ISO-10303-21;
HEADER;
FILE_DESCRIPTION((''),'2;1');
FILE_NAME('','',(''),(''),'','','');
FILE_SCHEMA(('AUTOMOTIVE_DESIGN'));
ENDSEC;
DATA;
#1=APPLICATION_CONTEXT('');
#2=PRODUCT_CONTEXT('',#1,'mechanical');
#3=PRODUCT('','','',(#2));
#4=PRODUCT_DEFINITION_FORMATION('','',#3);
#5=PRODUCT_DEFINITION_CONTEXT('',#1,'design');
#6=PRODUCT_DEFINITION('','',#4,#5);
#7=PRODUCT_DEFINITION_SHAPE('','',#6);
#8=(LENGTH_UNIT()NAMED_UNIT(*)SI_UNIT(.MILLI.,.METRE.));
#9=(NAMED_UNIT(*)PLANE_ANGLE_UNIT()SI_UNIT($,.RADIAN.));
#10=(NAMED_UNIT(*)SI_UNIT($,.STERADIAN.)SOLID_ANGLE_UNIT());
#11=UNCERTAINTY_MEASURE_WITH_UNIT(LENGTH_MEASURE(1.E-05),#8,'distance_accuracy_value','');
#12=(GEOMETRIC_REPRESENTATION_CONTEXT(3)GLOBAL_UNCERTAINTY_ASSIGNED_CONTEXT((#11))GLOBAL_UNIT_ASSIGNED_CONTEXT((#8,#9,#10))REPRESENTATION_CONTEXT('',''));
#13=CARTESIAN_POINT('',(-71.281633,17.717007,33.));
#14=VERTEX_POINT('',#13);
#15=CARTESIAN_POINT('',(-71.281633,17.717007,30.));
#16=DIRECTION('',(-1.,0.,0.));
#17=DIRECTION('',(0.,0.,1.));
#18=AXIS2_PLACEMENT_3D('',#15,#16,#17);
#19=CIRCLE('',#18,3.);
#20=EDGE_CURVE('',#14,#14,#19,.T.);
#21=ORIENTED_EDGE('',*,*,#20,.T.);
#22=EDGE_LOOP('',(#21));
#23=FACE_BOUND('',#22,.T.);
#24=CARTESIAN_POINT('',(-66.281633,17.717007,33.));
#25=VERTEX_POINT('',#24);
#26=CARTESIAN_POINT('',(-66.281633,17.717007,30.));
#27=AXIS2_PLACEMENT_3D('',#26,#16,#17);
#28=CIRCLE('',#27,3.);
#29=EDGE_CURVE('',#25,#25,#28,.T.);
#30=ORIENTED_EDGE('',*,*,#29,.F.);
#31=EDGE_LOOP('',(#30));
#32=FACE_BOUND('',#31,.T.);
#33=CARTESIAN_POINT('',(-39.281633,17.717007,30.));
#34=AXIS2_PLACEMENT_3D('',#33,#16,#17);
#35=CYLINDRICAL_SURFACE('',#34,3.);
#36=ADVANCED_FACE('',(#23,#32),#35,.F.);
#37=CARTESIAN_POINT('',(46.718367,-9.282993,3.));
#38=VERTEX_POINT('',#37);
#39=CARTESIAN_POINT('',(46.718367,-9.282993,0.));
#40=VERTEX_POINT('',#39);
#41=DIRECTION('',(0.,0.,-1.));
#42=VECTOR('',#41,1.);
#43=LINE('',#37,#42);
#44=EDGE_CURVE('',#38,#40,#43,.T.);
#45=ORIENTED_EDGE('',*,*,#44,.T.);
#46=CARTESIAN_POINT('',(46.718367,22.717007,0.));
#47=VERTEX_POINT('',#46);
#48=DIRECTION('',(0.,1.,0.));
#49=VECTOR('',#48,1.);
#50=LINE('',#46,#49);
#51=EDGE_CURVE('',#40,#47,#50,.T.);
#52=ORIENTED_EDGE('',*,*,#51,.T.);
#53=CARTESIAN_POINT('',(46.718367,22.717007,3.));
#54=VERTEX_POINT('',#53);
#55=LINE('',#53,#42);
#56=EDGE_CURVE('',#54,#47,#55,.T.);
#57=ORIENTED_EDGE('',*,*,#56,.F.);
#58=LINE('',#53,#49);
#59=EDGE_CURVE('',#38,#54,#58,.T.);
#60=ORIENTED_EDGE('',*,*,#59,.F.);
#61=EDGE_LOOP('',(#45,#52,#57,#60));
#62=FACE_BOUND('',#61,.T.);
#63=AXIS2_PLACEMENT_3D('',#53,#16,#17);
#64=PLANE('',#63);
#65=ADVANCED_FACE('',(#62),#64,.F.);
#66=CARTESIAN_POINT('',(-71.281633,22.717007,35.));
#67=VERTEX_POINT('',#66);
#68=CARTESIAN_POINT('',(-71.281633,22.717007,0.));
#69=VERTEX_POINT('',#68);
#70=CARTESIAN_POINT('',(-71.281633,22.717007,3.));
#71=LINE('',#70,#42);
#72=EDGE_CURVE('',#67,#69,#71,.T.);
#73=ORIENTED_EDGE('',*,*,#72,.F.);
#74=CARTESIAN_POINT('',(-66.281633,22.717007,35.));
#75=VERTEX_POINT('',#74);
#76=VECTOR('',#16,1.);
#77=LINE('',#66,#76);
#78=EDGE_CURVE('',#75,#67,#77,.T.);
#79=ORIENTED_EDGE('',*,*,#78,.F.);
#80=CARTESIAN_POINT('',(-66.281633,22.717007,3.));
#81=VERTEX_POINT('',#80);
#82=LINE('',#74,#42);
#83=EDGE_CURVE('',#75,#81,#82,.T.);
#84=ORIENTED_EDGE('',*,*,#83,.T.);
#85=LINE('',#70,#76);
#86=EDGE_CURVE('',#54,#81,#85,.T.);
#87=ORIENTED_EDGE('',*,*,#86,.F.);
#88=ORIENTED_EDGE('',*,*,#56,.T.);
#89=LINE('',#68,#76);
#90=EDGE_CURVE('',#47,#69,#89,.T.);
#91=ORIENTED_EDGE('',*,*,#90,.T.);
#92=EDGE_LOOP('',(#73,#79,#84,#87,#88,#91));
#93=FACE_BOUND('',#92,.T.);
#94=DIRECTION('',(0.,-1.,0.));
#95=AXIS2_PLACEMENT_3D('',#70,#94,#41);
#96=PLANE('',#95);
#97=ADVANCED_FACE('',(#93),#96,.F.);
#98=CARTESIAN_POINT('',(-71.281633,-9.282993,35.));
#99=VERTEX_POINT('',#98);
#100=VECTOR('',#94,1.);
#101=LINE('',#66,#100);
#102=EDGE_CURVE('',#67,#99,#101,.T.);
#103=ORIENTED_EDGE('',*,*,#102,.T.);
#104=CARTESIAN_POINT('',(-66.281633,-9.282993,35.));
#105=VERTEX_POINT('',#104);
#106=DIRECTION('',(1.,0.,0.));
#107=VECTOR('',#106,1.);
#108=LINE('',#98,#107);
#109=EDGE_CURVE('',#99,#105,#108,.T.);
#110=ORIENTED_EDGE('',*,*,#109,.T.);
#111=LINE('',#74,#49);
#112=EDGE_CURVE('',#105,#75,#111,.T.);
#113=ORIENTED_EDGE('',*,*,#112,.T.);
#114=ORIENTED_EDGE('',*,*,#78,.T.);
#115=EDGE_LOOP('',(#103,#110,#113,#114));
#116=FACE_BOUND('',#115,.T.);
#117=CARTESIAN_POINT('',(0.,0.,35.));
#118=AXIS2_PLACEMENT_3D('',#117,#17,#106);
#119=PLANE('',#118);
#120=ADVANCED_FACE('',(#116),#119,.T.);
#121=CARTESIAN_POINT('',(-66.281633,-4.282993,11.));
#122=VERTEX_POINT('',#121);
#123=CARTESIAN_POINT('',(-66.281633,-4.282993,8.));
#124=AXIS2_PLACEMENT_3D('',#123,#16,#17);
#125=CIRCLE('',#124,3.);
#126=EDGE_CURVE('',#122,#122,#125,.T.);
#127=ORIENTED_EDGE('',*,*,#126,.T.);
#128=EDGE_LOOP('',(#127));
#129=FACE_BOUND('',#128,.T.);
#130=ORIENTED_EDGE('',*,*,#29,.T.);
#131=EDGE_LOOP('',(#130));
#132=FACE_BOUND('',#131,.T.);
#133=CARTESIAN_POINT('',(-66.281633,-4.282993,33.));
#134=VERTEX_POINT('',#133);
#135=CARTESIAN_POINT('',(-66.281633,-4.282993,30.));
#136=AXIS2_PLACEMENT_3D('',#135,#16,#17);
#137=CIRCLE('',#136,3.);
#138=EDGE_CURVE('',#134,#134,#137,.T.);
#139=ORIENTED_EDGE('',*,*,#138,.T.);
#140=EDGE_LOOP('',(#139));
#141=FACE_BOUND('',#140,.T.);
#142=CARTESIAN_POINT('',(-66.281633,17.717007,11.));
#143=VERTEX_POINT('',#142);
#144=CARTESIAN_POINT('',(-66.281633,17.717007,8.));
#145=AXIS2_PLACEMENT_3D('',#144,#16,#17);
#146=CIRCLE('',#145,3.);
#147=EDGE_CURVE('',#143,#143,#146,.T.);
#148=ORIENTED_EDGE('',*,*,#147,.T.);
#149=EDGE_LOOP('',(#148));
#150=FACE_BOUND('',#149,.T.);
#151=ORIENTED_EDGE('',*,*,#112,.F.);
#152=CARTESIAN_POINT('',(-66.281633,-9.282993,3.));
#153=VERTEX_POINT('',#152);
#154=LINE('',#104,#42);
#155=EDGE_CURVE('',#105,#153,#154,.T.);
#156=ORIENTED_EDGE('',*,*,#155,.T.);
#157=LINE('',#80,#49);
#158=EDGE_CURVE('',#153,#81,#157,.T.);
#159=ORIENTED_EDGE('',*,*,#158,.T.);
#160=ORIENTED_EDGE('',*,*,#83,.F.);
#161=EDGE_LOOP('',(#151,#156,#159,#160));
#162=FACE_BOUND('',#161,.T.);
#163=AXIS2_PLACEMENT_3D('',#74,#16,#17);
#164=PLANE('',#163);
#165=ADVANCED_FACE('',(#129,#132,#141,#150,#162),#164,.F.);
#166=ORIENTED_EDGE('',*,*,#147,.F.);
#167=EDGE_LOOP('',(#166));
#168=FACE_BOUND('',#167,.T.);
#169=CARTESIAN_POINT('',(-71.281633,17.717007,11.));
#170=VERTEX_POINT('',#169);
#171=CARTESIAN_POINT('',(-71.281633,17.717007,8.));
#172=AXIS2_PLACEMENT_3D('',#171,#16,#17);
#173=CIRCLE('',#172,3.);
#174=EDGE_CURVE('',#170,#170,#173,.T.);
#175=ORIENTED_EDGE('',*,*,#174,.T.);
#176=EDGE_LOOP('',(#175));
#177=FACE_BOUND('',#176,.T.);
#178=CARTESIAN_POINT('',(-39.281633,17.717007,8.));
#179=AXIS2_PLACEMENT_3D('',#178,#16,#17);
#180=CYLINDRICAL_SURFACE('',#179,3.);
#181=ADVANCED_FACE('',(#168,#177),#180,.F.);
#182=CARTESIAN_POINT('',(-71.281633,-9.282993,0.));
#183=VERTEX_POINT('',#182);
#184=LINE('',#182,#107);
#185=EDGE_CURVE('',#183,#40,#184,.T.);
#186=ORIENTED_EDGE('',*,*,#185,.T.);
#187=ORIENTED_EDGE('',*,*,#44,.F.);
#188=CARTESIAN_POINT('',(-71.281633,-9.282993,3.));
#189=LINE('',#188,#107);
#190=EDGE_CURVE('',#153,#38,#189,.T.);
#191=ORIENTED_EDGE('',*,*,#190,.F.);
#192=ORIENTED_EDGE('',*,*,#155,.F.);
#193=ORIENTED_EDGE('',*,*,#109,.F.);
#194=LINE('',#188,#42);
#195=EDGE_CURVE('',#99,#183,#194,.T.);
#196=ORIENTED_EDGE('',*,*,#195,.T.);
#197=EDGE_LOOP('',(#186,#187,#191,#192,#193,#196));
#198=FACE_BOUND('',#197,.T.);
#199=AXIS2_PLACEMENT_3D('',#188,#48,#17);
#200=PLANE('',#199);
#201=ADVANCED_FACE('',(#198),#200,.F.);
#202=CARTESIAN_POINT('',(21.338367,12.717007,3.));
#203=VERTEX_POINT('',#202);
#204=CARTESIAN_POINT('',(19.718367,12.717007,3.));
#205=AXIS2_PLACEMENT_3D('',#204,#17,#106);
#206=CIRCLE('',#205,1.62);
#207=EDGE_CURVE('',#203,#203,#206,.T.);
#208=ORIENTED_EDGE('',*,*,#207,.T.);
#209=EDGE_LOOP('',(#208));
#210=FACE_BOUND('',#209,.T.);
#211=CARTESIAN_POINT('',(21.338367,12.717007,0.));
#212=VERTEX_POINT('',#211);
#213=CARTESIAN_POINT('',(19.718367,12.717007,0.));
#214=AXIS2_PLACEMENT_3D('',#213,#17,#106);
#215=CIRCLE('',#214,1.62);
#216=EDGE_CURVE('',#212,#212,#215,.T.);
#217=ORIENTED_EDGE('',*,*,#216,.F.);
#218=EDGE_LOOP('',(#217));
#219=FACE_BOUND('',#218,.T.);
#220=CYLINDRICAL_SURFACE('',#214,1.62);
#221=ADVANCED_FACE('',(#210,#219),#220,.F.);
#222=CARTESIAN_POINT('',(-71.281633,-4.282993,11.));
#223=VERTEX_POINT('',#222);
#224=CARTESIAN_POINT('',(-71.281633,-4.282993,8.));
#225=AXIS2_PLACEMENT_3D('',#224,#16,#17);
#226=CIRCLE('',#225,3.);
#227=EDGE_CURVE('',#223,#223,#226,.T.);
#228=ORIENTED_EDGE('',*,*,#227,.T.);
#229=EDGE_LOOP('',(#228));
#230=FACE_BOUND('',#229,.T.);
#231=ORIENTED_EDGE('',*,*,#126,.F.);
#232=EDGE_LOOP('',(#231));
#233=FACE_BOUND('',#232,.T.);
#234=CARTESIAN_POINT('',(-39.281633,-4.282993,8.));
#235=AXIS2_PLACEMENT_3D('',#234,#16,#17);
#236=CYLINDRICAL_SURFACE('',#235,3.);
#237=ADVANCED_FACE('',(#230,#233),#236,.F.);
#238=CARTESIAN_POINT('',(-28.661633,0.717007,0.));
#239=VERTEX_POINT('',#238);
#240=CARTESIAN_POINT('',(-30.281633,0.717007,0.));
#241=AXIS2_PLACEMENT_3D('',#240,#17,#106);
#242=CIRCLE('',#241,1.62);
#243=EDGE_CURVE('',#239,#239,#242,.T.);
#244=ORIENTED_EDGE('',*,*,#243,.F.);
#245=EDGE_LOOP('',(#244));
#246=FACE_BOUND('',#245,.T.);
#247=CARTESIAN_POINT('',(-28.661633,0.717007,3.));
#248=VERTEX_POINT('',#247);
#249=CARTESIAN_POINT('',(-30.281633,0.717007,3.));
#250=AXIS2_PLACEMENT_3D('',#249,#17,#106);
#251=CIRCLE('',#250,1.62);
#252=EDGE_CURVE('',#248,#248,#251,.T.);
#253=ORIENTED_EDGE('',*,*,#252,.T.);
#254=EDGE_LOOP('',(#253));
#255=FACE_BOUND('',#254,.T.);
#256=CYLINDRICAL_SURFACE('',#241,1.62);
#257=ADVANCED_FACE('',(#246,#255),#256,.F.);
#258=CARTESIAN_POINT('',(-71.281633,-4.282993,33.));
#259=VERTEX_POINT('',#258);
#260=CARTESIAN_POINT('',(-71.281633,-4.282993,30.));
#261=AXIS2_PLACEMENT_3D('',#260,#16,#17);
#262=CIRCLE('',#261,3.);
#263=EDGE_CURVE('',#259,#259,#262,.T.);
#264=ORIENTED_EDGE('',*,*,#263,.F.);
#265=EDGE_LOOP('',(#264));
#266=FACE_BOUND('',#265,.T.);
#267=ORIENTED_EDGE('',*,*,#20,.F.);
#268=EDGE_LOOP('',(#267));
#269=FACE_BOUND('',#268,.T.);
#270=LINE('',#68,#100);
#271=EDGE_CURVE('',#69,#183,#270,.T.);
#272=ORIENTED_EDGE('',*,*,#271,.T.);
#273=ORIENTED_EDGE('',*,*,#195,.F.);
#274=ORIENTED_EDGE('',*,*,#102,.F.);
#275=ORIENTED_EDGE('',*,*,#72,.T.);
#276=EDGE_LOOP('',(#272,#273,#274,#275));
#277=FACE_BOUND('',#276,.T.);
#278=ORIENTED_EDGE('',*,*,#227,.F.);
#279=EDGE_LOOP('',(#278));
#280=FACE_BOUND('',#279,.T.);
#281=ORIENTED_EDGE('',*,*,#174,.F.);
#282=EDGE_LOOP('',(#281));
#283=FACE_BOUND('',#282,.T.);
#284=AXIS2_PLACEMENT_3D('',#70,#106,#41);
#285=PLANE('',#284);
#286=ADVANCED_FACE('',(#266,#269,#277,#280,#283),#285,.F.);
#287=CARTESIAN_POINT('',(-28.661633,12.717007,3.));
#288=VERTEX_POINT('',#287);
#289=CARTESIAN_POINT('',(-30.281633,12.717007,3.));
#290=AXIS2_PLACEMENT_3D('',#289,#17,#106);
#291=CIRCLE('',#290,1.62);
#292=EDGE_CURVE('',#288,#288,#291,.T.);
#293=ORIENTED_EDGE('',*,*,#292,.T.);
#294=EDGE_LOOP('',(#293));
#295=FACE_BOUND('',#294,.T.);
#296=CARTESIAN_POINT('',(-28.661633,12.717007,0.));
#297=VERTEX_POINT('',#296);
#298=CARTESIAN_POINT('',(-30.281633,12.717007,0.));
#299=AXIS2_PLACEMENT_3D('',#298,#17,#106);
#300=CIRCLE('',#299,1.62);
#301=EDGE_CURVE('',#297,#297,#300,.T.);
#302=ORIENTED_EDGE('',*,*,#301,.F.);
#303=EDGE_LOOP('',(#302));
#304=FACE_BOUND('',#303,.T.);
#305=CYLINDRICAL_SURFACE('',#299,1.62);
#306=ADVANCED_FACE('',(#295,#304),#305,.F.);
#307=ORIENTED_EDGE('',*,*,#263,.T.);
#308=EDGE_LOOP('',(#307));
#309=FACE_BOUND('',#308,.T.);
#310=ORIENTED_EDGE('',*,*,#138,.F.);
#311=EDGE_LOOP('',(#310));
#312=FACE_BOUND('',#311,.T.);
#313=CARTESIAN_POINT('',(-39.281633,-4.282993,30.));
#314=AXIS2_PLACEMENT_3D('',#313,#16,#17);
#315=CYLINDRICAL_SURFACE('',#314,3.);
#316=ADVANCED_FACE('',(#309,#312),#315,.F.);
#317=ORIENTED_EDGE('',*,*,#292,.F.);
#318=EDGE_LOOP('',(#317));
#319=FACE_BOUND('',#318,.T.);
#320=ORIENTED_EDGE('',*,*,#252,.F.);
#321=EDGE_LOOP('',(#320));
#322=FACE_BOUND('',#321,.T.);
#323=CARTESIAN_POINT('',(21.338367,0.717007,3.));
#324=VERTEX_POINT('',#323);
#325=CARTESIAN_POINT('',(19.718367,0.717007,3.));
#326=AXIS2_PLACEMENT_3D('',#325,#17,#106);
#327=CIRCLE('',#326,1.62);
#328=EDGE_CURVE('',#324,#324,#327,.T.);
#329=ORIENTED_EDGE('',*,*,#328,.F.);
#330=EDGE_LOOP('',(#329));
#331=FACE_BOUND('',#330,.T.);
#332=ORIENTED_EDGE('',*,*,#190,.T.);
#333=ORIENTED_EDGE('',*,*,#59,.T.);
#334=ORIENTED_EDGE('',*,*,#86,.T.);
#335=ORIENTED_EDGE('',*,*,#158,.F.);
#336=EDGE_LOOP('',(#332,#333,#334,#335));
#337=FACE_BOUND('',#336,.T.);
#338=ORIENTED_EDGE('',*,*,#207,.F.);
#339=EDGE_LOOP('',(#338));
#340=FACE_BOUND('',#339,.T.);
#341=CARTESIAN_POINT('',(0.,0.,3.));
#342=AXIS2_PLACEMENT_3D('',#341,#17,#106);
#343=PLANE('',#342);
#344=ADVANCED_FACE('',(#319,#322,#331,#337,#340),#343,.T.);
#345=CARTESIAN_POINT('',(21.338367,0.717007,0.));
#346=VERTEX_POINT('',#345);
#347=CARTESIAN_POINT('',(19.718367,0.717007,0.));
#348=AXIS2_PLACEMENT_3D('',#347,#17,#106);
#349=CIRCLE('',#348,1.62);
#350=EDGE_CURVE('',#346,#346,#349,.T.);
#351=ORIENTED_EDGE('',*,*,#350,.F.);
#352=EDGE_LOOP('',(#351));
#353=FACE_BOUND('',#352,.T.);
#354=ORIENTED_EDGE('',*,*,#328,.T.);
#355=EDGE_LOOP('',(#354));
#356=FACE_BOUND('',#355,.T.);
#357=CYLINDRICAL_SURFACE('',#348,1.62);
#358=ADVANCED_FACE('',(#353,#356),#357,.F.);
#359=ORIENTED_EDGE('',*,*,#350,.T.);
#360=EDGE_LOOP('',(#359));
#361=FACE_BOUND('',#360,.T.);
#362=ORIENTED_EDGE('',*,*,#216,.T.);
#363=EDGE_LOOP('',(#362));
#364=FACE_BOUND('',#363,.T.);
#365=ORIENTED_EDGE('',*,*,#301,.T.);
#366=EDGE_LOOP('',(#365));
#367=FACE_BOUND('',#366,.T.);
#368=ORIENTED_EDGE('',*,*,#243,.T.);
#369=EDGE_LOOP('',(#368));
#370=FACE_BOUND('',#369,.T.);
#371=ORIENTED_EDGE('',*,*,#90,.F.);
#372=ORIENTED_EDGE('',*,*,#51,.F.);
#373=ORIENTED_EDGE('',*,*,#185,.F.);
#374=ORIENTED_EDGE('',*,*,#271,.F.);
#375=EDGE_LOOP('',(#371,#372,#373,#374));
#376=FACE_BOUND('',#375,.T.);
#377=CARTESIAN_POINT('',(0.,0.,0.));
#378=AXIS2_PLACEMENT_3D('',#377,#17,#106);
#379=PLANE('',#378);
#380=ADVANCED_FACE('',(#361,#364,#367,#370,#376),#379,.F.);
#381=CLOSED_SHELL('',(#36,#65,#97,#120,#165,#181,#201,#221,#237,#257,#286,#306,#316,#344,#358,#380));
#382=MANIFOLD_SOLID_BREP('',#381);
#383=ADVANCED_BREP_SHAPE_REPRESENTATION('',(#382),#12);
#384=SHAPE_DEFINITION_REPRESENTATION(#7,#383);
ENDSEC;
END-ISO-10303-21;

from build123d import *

# Parameters (mm, degrees)
SKETCH_1_W          = 118
SKETCH_1_H          = 32
EXTRUDE_1_DEPTH     = 3
SKETCH_2_R          = 1.62
CUT_EXTRUDE_1_DEPTH = 3
SKETCH_3_W          = 5
SKETCH_3_H          = 32
EXTRUDE_2_DEPTH     = 32
SKETCH_4_R          = 3
CUT_EXTRUDE_2_DEPTH = 32


with BuildPart() as part:
    # 草图1 → 凸台-拉伸1 (new body)
    with BuildSketch(Plane.XY):
        with Locations((-12.281632653, 6.717006803)):
            Rectangle(SKETCH_1_W, SKETCH_1_H)
    extrude(amount=EXTRUDE_1_DEPTH)

    # 草图2 → 切除-拉伸1 (cut)
    with BuildSketch(Plane.XY.offset(3)):
        with Locations((-30.281632653, 12.717006803)):
            Circle(SKETCH_2_R)
        with Locations((-30.281632653, 0.717006803)):
            Circle(SKETCH_2_R)
        with Locations((19.718367347, 12.717006803)):
            Circle(SKETCH_2_R)
        with Locations((19.718367347, 0.717006803)):
            Circle(SKETCH_2_R)
    extrude(amount=-CUT_EXTRUDE_1_DEPTH, mode=Mode.SUBTRACT)

    # 草图3 → 凸台-拉伸2 (add)
    with BuildSketch(Plane.XY.offset(3)):
        with Locations((-68.781632653, 6.717006803)):
            Rectangle(SKETCH_3_W, SKETCH_3_H)
    extrude(amount=EXTRUDE_2_DEPTH)

    # 草图4 → 切除-拉伸2 (cut)
    with BuildSketch(Plane.ZY.offset(71.281632653)):
        with Locations((30, 17.717006803)):
            Circle(SKETCH_4_R)
        with Locations((30, -4.282993197)):
            Circle(SKETCH_4_R)
        with Locations((8, 17.717006803)):
            Circle(SKETCH_4_R)
        with Locations((8, -4.282993197)):
            Circle(SKETCH_4_R)
    extrude(amount=-CUT_EXTRUDE_2_DEPTH, mode=Mode.SUBTRACT)


solid = part.part
